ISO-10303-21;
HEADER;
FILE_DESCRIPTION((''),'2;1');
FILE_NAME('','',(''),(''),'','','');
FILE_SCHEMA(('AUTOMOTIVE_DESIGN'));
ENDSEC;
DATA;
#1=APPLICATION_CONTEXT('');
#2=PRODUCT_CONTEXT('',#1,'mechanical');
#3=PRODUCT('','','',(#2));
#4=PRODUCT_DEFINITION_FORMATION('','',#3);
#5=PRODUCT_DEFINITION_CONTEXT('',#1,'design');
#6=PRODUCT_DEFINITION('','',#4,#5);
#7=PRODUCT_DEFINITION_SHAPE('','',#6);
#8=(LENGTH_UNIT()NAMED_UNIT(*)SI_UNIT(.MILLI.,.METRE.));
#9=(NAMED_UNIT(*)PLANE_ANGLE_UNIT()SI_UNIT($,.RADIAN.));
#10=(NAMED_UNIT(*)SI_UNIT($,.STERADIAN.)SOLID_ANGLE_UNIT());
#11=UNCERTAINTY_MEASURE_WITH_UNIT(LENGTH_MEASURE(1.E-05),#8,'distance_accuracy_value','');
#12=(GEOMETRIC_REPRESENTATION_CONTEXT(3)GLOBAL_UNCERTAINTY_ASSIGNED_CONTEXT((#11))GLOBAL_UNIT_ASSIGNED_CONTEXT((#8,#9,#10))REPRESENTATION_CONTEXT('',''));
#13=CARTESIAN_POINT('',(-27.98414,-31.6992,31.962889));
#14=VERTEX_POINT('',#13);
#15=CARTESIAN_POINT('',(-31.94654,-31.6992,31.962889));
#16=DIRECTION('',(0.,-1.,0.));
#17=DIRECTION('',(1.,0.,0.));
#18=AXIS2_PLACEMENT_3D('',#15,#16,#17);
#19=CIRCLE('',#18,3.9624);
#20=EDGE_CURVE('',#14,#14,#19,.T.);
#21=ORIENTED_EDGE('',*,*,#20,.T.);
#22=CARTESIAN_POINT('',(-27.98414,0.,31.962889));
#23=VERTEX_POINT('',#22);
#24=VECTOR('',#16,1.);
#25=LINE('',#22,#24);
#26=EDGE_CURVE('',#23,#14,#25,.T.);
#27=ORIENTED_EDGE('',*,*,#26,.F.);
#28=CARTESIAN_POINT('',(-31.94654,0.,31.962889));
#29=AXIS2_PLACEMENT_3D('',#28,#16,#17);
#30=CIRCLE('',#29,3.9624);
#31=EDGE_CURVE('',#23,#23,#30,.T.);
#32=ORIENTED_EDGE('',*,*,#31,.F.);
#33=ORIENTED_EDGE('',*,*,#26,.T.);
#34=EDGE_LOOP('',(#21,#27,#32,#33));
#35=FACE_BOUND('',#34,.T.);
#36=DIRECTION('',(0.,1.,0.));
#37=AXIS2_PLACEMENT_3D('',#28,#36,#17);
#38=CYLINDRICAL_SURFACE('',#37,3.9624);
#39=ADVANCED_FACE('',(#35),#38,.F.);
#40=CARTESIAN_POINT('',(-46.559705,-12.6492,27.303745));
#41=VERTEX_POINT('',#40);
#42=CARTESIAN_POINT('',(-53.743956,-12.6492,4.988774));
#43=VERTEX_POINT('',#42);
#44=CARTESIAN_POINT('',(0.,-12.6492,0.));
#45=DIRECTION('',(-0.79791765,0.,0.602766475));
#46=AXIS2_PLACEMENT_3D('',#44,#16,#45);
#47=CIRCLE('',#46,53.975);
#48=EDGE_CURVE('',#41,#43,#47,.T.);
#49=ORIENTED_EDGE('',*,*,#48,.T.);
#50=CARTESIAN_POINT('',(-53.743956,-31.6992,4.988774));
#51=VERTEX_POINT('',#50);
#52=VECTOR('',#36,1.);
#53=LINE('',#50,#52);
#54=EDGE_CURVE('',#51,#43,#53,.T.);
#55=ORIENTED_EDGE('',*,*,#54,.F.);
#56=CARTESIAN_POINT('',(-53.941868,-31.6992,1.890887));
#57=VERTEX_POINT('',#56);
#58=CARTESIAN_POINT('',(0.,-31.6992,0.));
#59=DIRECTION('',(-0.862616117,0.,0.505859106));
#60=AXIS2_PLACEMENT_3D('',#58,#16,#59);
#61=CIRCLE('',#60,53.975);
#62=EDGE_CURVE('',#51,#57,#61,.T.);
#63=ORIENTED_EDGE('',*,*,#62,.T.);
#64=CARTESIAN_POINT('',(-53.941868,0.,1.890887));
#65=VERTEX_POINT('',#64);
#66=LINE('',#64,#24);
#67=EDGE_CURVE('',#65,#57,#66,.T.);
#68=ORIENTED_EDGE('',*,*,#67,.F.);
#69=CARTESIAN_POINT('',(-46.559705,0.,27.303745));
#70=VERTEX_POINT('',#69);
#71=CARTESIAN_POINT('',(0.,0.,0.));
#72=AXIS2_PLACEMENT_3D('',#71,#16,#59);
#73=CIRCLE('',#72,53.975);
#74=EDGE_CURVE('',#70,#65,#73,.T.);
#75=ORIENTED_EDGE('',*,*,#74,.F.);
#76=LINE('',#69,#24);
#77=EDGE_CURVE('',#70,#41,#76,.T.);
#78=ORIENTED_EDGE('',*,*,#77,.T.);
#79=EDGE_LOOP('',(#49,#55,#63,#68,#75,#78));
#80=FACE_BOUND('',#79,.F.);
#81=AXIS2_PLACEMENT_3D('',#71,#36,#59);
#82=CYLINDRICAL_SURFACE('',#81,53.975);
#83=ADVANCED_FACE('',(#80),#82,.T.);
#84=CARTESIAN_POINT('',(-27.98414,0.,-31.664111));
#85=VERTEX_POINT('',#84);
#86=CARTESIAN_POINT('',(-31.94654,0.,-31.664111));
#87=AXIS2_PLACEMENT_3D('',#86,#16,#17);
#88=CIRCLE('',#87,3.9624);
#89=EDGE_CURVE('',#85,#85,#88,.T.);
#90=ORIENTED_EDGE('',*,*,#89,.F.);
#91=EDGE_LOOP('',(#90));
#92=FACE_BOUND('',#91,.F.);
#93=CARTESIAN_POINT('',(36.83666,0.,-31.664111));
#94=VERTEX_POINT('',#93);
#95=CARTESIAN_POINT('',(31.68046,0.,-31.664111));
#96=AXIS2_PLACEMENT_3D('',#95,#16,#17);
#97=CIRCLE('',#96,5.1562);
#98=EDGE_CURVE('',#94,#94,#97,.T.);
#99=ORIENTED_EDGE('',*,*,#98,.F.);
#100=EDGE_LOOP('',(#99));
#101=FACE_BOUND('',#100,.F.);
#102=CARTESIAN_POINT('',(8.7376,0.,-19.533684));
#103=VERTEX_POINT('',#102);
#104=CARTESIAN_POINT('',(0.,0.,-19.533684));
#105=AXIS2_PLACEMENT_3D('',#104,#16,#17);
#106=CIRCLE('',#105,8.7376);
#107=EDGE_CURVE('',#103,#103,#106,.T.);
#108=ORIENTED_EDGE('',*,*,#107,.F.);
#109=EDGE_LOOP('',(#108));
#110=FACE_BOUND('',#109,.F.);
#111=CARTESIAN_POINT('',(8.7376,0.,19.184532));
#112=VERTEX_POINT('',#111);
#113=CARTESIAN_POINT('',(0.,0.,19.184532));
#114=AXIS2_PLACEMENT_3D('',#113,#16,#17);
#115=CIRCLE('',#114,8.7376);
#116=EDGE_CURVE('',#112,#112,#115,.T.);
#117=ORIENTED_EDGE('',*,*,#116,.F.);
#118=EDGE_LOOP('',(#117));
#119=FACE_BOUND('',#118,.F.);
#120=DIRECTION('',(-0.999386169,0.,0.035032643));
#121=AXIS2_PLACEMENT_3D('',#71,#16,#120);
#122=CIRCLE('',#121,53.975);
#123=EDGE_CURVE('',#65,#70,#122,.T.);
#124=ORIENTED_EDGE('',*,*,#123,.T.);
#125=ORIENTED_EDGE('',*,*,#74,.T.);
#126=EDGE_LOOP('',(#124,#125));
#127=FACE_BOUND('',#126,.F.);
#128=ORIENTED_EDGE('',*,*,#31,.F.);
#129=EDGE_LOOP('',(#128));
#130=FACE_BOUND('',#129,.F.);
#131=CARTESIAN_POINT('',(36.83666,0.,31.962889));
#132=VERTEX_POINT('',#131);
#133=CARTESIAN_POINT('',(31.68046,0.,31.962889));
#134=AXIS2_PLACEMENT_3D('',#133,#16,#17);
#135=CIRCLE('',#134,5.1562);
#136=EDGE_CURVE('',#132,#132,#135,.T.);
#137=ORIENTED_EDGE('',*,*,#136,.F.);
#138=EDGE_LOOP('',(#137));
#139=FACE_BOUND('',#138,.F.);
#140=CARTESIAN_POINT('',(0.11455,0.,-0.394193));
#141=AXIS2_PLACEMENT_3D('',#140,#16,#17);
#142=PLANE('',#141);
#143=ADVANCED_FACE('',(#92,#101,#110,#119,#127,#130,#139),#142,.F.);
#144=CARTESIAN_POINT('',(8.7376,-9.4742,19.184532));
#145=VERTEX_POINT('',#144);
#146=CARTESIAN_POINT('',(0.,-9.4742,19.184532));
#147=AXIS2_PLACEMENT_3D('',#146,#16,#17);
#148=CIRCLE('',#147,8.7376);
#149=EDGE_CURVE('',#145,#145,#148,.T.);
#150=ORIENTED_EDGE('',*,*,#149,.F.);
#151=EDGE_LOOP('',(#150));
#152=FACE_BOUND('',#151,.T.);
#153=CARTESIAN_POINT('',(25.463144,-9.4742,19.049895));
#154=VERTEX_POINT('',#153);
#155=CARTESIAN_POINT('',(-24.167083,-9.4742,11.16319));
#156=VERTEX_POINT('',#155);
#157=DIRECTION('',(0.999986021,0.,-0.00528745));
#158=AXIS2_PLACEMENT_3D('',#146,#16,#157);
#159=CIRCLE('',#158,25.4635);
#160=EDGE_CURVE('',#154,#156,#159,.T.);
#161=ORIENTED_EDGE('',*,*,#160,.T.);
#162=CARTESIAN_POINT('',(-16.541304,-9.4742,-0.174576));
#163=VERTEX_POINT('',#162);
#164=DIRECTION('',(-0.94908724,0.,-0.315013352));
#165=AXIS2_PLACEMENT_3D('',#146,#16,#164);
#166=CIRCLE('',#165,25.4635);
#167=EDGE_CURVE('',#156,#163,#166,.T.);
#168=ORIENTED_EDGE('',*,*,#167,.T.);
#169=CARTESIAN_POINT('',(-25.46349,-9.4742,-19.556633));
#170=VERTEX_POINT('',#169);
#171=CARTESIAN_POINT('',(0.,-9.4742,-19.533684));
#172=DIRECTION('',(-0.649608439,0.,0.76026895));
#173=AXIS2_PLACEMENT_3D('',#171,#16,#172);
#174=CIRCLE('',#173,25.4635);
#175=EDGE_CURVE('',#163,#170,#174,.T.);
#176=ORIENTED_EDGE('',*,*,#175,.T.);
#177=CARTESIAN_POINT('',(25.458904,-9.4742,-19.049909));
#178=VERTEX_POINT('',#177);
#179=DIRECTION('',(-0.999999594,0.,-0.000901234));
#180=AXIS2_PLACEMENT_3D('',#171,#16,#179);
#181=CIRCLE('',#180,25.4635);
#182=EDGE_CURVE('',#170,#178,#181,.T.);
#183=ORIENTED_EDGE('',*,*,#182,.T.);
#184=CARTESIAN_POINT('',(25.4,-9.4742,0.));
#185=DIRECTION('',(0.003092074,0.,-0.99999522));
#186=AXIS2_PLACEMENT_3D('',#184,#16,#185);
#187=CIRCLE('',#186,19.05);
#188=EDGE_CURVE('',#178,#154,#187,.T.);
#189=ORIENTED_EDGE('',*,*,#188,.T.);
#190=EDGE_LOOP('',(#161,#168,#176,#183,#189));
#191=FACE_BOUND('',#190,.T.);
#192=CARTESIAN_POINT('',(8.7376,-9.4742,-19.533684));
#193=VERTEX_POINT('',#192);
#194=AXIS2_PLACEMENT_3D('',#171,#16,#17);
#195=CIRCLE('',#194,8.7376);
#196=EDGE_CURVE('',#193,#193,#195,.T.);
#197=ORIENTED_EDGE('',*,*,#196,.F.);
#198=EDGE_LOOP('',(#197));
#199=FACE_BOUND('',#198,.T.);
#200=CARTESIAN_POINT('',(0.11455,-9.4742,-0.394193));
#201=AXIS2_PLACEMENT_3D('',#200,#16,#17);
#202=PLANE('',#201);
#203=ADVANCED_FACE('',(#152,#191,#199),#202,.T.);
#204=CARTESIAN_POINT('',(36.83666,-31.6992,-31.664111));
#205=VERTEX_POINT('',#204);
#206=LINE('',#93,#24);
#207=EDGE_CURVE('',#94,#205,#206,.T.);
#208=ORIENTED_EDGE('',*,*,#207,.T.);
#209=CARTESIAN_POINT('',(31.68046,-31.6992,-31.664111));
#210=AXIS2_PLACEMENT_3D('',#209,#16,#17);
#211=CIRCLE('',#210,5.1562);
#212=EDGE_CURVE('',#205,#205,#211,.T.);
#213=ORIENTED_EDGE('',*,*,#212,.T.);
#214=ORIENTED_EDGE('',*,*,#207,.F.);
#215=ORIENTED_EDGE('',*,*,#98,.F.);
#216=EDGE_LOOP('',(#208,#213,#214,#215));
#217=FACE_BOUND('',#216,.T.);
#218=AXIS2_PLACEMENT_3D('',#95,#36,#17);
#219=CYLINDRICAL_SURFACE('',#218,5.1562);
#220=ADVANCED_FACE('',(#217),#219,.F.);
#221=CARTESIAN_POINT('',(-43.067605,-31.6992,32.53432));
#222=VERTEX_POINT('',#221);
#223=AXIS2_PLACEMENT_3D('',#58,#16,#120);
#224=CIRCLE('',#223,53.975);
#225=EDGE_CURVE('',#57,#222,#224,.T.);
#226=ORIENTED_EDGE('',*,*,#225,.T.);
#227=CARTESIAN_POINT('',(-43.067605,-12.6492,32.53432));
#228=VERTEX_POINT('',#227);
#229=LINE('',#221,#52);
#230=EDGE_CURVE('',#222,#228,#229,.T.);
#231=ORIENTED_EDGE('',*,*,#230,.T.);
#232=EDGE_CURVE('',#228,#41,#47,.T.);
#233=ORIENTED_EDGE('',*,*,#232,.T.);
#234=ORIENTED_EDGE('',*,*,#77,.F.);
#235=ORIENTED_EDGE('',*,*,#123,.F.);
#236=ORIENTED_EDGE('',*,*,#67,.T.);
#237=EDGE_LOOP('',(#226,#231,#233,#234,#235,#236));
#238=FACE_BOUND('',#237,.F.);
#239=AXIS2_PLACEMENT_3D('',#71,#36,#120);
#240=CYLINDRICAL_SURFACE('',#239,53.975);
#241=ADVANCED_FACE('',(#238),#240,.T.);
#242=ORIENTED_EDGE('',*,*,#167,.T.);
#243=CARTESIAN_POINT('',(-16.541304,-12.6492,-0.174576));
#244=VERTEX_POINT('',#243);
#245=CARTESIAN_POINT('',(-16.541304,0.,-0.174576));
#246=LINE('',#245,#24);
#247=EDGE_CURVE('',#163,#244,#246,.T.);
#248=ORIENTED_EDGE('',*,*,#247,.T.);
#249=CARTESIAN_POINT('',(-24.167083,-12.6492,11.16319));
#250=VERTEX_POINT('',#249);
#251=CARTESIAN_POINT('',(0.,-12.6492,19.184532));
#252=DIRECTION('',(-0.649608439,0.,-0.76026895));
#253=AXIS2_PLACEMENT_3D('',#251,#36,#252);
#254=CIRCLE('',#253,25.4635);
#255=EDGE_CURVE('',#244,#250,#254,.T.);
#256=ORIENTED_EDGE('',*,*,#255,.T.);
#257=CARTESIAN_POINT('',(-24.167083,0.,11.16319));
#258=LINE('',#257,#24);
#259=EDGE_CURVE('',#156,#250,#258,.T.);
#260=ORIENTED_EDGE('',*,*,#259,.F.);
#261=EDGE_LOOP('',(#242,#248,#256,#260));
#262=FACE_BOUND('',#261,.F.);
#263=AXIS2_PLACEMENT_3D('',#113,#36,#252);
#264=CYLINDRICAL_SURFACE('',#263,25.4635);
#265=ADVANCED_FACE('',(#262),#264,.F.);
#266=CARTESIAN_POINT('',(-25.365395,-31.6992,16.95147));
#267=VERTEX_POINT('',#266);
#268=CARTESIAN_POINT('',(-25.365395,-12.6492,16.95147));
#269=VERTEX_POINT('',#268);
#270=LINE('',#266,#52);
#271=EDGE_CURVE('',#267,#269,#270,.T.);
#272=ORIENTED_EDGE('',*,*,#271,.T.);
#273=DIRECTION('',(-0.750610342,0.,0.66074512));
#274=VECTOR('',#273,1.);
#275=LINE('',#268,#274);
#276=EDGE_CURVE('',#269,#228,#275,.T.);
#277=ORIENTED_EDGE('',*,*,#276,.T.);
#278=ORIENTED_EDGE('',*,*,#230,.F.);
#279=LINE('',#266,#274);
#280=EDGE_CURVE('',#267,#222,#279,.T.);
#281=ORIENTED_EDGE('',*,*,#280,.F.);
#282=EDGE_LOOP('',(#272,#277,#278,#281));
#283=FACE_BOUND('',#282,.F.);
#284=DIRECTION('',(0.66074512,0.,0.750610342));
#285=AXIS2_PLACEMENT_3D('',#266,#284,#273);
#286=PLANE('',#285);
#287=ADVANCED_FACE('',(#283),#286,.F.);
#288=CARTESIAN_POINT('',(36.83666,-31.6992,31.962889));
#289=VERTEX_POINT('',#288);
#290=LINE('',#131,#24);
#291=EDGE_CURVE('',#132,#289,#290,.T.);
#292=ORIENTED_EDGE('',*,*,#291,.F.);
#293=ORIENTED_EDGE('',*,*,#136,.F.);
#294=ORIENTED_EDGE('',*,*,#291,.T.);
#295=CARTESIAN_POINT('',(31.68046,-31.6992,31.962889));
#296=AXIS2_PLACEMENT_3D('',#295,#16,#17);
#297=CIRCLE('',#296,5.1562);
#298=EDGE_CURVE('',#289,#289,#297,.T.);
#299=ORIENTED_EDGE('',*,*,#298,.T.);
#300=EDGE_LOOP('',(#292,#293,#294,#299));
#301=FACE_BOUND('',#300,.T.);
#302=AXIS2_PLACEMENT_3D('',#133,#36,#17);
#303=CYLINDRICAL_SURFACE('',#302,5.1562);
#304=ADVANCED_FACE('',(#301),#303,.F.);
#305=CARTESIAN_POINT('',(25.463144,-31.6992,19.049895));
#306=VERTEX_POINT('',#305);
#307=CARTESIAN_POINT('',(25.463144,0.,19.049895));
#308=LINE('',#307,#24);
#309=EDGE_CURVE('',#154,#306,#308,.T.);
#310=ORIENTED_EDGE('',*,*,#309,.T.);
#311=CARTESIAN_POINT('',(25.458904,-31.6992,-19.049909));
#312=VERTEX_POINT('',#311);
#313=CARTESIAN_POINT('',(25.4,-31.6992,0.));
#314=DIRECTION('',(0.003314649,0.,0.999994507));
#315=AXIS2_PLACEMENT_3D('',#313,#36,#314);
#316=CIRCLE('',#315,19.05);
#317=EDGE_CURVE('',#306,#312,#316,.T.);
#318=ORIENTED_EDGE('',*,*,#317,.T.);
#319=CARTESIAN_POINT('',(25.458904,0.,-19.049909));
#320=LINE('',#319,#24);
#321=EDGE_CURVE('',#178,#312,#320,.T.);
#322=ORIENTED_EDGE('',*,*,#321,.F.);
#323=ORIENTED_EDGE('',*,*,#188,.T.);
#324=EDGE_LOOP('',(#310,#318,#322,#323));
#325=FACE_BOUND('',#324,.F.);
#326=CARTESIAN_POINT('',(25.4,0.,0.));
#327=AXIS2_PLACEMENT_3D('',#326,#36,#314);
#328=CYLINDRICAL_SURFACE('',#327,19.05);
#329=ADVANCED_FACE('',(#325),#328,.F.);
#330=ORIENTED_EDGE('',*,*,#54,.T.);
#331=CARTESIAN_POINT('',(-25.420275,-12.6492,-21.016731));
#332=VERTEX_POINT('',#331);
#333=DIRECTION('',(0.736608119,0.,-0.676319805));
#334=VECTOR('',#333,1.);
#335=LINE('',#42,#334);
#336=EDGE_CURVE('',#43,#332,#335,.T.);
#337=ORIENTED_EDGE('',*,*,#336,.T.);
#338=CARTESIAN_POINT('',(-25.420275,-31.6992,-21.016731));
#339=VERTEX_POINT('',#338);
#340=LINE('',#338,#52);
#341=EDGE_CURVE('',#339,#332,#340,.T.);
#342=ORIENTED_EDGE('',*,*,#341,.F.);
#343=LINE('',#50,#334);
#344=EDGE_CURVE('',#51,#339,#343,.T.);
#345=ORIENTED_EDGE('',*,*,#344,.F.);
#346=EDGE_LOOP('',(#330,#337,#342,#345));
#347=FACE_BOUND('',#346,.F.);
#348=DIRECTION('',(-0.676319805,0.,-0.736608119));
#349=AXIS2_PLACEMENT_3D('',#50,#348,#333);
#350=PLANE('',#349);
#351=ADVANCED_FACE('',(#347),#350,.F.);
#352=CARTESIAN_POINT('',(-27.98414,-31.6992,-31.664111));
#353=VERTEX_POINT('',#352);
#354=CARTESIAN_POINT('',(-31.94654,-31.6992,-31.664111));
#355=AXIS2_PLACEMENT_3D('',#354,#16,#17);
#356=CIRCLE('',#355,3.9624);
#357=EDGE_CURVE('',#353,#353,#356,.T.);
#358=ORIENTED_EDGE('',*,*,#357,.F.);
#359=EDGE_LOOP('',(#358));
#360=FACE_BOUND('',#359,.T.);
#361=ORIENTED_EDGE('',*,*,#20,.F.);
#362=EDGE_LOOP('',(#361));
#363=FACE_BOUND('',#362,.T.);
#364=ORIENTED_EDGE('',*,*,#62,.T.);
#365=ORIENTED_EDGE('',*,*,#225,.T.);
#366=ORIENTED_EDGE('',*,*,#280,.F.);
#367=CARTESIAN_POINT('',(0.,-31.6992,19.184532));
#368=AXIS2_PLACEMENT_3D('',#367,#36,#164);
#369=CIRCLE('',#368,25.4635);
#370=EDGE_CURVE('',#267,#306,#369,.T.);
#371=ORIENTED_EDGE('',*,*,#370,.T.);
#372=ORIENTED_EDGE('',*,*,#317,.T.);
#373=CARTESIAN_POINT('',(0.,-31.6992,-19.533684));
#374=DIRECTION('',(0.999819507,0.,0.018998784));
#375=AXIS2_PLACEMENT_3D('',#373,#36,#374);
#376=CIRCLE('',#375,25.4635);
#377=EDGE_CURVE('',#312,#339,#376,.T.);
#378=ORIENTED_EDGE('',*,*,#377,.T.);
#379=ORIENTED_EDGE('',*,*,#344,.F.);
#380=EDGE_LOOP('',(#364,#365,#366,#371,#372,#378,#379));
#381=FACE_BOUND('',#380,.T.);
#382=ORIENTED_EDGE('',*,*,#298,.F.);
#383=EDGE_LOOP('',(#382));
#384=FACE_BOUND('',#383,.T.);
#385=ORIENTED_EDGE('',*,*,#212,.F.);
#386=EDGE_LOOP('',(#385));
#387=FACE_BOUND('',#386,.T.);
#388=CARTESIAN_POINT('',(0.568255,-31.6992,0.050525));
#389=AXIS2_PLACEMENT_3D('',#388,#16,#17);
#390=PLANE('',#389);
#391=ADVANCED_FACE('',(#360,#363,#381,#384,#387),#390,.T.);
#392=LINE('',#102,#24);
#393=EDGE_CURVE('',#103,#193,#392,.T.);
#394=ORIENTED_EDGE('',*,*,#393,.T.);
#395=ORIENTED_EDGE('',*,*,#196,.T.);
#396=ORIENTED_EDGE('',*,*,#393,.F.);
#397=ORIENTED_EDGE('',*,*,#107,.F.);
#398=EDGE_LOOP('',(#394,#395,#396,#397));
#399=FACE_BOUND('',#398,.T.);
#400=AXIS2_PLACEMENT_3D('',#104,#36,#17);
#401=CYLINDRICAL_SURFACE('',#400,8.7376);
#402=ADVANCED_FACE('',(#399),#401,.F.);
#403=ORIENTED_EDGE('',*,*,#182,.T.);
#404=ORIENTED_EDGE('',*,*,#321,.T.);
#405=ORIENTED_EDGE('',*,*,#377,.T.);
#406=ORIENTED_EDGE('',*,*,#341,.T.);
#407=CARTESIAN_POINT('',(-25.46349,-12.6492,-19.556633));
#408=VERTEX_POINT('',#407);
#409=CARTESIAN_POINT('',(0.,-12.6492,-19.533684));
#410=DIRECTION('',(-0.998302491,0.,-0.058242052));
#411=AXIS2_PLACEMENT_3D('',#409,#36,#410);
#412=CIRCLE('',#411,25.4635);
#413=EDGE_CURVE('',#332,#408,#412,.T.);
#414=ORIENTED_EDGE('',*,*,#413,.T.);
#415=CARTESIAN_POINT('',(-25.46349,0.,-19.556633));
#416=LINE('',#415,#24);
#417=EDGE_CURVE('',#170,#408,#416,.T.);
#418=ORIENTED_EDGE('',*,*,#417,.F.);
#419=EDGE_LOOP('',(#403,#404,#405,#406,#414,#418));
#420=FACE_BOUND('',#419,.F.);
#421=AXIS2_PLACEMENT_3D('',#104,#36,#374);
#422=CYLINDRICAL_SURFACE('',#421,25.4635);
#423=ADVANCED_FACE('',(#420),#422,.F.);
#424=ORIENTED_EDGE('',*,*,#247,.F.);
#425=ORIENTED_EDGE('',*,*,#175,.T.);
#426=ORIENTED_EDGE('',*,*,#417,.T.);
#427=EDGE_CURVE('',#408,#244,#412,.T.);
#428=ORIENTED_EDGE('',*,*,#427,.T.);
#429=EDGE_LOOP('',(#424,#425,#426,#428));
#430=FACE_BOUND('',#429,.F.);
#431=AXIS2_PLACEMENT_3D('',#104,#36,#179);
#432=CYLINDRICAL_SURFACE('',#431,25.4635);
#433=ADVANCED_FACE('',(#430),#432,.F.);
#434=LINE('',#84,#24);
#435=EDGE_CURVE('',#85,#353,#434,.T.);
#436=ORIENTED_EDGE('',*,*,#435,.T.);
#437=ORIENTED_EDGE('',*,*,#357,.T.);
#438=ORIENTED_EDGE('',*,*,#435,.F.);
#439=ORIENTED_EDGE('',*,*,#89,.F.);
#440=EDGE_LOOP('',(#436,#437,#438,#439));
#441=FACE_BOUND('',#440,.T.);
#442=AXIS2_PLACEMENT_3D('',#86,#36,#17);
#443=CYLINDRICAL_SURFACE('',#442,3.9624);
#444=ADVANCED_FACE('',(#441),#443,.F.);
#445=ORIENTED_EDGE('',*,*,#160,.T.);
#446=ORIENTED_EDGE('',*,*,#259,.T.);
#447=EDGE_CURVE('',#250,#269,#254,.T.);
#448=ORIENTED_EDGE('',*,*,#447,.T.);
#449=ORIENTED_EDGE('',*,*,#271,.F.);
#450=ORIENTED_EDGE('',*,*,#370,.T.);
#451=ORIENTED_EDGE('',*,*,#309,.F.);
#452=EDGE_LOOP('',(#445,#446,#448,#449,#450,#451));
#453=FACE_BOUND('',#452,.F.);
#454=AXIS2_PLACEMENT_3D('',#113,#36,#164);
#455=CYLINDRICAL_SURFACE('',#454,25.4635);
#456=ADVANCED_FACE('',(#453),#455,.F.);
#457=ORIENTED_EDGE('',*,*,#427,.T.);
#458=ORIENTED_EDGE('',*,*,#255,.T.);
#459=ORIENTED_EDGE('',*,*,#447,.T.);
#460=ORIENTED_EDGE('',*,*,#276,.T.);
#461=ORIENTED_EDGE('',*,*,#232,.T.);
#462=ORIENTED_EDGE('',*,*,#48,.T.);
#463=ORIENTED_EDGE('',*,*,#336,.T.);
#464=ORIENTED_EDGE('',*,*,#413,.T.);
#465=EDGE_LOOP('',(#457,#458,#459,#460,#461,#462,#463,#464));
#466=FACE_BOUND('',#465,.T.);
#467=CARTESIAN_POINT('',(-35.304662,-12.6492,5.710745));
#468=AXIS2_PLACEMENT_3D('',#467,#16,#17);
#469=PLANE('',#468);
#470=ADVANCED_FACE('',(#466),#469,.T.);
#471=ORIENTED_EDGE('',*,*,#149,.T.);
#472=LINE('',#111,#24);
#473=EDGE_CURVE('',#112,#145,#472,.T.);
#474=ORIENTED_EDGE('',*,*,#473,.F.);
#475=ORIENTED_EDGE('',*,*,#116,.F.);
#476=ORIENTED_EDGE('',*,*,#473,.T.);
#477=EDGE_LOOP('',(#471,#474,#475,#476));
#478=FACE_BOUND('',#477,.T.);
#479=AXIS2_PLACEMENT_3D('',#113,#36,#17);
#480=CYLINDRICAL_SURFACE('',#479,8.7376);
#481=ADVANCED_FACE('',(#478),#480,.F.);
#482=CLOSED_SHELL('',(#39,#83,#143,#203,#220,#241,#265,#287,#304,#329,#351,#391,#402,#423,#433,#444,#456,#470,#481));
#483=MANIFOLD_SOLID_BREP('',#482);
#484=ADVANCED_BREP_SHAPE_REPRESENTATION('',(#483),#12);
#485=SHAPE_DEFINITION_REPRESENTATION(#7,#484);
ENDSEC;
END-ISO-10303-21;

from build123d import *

# Parameters (mm, degrees)
F0_R     = 3.9624
F0_R_2   = 5.1562
F1_DEPTH = 31.6992
F0_R_3   = 8.7376
F2_DEPTH = 9.4742
F4_DEPTH = 19.05


with BuildPart() as f1:
    # F0 (on Front) → F1 (new body)
    with BuildSketch(Plane.XZ):
        with BuildLine():
            ThreePointArc((-53.9418684482, 1.8908869118), (-0.945588575, -53.9667164764), (53.975, 0))
            ThreePointArc((53.975, 0), (14.14638739, 52.0881977881), (-46.559704912, 27.3037452286))
            Line((-46.559704912, 27.3037452286), (-24.1670829241, 11.1631898628))
            ThreePointArc((-24.1670829241, 11.1631898628), (-3.9962450465, 44.3324916596), (25.4631440543, 19.0498953495))
            ThreePointArc((25.4631440543, 19.0498953495), (44.449999882, -0.0021200322), (25.4589040116, -19.049908932))
            ThreePointArc((25.4589040116, -19.049908932), (0.2533724347, -44.9959238654), (-25.463489659, -19.5566330526))
            Line((-25.463489659, -19.5566330526), (-53.9418684482, 1.8908869118))
        make_face()
        with Locations((-31.9465398788, -31.6641107202)):
            Circle(F0_R, mode=Mode.SUBTRACT)
        with Locations((31.6804601212, -31.6641107202)):
            Circle(F0_R_2, mode=Mode.SUBTRACT)
        with Locations((-31.9465398788, 31.9628892798)):
            Circle(F0_R, mode=Mode.SUBTRACT)
        with Locations((31.6804601212, 31.9628892798)):
            Circle(F0_R_2, mode=Mode.SUBTRACT)
        with BuildLine():
            Line((-24.1670829241, 11.1631898628), (-46.559704912, 27.3037452286))
            ThreePointArc((-46.559704912, 27.3037452286), (-51.8323731265, 15.0567500169), (-53.9418684482, 1.8908869118))
            Line((-53.9418684482, 1.8908869118), (-25.463489659, -19.5566330526))
            ThreePointArc((-25.463489659, -19.5566330526), (-23.1304283544, -8.8860032088), (-16.5413044773, -0.174576067))
            ThreePointArc((-16.5413044773, -0.174576067), (-21.1288768106, 4.9732552376), (-24.1670829241, 11.1631898628))
        make_face()
    extrude(amount=F1_DEPTH)

    # F0 (on Front) → F2 (join)
    with BuildSketch(Plane.XZ):
        with BuildLine():
            ThreePointArc((25.4631440543, 19.0498953495), (-3.9962450465, 44.3324916596), (-24.1670829241, 11.1631898628))
            ThreePointArc((-24.1670829241, 11.1631898628), (-21.1288768106, 4.9732552376), (-16.5413044773, -0.174576067))
            ThreePointArc((-16.5413044773, -0.174576067), (-23.1304283544, -8.8860032088), (-25.463489659, -19.5566330526))
            ThreePointArc((-25.463489659, -19.5566330526), (0.2533724347, -44.9959238654), (25.4589040116, -19.049908932))
            ThreePointArc((25.4589040116, -19.049908932), (23.0233343799, -8.6563729399), (16.5413044773, -0.174576067))
            ThreePointArc((16.5413044773, -0.174576067), (23.0973699676, 8.4653284163), (25.4631440543, 19.0498953495))
        make_face()
        with Locations((0, -19.5336844772)):
            Circle(F0_R_3, mode=Mode.SUBTRACT)
        with Locations((0, 19.1845323432)):
            Circle(F0_R_3, mode=Mode.SUBTRACT)
        with BuildLine():
            ThreePointArc((25.4589040116, -19.049908932), (44.449999882, -0.0021200322), (25.4631440543, 19.0498953495))
            ThreePointArc((25.4631440543, 19.0498953495), (23.0973699676, 8.4653284163), (16.5413044773, -0.174576067))
            ThreePointArc((16.5413044773, -0.174576067), (23.0233343799, -8.6563729399), (25.4589040116, -19.049908932))
        make_face()
    extrude(amount=F2_DEPTH)

    # F3 (on face) → F4 (cut)
    with BuildSketch(Plane.XZ.offset(31.6992)):
        with BuildLine():
            ThreePointArc((-16.5413044773, -0.174576067), (-22.6355522481, 7.5217022119), (-25.3653949946, 16.9514696437))
            Line((-25.3653949946, 16.9514696437), (-43.0676051814, 32.5343204776))
            ThreePointArc((-43.0676051814, 32.5343204776), (-50.3270192168, 19.5061980343), (-53.7439555951, 4.988773596))
            Line((-53.7439555951, 4.988773596), (-25.4202754774, -21.0167309709))
            ThreePointArc((-25.4202754774, -21.0167309709), (-23.4263186039, -9.5538333302), (-16.5413044773, -0.174576067))
        make_face()
    extrude(amount=-F4_DEPTH, mode=Mode.SUBTRACT)


solid = f1.part
